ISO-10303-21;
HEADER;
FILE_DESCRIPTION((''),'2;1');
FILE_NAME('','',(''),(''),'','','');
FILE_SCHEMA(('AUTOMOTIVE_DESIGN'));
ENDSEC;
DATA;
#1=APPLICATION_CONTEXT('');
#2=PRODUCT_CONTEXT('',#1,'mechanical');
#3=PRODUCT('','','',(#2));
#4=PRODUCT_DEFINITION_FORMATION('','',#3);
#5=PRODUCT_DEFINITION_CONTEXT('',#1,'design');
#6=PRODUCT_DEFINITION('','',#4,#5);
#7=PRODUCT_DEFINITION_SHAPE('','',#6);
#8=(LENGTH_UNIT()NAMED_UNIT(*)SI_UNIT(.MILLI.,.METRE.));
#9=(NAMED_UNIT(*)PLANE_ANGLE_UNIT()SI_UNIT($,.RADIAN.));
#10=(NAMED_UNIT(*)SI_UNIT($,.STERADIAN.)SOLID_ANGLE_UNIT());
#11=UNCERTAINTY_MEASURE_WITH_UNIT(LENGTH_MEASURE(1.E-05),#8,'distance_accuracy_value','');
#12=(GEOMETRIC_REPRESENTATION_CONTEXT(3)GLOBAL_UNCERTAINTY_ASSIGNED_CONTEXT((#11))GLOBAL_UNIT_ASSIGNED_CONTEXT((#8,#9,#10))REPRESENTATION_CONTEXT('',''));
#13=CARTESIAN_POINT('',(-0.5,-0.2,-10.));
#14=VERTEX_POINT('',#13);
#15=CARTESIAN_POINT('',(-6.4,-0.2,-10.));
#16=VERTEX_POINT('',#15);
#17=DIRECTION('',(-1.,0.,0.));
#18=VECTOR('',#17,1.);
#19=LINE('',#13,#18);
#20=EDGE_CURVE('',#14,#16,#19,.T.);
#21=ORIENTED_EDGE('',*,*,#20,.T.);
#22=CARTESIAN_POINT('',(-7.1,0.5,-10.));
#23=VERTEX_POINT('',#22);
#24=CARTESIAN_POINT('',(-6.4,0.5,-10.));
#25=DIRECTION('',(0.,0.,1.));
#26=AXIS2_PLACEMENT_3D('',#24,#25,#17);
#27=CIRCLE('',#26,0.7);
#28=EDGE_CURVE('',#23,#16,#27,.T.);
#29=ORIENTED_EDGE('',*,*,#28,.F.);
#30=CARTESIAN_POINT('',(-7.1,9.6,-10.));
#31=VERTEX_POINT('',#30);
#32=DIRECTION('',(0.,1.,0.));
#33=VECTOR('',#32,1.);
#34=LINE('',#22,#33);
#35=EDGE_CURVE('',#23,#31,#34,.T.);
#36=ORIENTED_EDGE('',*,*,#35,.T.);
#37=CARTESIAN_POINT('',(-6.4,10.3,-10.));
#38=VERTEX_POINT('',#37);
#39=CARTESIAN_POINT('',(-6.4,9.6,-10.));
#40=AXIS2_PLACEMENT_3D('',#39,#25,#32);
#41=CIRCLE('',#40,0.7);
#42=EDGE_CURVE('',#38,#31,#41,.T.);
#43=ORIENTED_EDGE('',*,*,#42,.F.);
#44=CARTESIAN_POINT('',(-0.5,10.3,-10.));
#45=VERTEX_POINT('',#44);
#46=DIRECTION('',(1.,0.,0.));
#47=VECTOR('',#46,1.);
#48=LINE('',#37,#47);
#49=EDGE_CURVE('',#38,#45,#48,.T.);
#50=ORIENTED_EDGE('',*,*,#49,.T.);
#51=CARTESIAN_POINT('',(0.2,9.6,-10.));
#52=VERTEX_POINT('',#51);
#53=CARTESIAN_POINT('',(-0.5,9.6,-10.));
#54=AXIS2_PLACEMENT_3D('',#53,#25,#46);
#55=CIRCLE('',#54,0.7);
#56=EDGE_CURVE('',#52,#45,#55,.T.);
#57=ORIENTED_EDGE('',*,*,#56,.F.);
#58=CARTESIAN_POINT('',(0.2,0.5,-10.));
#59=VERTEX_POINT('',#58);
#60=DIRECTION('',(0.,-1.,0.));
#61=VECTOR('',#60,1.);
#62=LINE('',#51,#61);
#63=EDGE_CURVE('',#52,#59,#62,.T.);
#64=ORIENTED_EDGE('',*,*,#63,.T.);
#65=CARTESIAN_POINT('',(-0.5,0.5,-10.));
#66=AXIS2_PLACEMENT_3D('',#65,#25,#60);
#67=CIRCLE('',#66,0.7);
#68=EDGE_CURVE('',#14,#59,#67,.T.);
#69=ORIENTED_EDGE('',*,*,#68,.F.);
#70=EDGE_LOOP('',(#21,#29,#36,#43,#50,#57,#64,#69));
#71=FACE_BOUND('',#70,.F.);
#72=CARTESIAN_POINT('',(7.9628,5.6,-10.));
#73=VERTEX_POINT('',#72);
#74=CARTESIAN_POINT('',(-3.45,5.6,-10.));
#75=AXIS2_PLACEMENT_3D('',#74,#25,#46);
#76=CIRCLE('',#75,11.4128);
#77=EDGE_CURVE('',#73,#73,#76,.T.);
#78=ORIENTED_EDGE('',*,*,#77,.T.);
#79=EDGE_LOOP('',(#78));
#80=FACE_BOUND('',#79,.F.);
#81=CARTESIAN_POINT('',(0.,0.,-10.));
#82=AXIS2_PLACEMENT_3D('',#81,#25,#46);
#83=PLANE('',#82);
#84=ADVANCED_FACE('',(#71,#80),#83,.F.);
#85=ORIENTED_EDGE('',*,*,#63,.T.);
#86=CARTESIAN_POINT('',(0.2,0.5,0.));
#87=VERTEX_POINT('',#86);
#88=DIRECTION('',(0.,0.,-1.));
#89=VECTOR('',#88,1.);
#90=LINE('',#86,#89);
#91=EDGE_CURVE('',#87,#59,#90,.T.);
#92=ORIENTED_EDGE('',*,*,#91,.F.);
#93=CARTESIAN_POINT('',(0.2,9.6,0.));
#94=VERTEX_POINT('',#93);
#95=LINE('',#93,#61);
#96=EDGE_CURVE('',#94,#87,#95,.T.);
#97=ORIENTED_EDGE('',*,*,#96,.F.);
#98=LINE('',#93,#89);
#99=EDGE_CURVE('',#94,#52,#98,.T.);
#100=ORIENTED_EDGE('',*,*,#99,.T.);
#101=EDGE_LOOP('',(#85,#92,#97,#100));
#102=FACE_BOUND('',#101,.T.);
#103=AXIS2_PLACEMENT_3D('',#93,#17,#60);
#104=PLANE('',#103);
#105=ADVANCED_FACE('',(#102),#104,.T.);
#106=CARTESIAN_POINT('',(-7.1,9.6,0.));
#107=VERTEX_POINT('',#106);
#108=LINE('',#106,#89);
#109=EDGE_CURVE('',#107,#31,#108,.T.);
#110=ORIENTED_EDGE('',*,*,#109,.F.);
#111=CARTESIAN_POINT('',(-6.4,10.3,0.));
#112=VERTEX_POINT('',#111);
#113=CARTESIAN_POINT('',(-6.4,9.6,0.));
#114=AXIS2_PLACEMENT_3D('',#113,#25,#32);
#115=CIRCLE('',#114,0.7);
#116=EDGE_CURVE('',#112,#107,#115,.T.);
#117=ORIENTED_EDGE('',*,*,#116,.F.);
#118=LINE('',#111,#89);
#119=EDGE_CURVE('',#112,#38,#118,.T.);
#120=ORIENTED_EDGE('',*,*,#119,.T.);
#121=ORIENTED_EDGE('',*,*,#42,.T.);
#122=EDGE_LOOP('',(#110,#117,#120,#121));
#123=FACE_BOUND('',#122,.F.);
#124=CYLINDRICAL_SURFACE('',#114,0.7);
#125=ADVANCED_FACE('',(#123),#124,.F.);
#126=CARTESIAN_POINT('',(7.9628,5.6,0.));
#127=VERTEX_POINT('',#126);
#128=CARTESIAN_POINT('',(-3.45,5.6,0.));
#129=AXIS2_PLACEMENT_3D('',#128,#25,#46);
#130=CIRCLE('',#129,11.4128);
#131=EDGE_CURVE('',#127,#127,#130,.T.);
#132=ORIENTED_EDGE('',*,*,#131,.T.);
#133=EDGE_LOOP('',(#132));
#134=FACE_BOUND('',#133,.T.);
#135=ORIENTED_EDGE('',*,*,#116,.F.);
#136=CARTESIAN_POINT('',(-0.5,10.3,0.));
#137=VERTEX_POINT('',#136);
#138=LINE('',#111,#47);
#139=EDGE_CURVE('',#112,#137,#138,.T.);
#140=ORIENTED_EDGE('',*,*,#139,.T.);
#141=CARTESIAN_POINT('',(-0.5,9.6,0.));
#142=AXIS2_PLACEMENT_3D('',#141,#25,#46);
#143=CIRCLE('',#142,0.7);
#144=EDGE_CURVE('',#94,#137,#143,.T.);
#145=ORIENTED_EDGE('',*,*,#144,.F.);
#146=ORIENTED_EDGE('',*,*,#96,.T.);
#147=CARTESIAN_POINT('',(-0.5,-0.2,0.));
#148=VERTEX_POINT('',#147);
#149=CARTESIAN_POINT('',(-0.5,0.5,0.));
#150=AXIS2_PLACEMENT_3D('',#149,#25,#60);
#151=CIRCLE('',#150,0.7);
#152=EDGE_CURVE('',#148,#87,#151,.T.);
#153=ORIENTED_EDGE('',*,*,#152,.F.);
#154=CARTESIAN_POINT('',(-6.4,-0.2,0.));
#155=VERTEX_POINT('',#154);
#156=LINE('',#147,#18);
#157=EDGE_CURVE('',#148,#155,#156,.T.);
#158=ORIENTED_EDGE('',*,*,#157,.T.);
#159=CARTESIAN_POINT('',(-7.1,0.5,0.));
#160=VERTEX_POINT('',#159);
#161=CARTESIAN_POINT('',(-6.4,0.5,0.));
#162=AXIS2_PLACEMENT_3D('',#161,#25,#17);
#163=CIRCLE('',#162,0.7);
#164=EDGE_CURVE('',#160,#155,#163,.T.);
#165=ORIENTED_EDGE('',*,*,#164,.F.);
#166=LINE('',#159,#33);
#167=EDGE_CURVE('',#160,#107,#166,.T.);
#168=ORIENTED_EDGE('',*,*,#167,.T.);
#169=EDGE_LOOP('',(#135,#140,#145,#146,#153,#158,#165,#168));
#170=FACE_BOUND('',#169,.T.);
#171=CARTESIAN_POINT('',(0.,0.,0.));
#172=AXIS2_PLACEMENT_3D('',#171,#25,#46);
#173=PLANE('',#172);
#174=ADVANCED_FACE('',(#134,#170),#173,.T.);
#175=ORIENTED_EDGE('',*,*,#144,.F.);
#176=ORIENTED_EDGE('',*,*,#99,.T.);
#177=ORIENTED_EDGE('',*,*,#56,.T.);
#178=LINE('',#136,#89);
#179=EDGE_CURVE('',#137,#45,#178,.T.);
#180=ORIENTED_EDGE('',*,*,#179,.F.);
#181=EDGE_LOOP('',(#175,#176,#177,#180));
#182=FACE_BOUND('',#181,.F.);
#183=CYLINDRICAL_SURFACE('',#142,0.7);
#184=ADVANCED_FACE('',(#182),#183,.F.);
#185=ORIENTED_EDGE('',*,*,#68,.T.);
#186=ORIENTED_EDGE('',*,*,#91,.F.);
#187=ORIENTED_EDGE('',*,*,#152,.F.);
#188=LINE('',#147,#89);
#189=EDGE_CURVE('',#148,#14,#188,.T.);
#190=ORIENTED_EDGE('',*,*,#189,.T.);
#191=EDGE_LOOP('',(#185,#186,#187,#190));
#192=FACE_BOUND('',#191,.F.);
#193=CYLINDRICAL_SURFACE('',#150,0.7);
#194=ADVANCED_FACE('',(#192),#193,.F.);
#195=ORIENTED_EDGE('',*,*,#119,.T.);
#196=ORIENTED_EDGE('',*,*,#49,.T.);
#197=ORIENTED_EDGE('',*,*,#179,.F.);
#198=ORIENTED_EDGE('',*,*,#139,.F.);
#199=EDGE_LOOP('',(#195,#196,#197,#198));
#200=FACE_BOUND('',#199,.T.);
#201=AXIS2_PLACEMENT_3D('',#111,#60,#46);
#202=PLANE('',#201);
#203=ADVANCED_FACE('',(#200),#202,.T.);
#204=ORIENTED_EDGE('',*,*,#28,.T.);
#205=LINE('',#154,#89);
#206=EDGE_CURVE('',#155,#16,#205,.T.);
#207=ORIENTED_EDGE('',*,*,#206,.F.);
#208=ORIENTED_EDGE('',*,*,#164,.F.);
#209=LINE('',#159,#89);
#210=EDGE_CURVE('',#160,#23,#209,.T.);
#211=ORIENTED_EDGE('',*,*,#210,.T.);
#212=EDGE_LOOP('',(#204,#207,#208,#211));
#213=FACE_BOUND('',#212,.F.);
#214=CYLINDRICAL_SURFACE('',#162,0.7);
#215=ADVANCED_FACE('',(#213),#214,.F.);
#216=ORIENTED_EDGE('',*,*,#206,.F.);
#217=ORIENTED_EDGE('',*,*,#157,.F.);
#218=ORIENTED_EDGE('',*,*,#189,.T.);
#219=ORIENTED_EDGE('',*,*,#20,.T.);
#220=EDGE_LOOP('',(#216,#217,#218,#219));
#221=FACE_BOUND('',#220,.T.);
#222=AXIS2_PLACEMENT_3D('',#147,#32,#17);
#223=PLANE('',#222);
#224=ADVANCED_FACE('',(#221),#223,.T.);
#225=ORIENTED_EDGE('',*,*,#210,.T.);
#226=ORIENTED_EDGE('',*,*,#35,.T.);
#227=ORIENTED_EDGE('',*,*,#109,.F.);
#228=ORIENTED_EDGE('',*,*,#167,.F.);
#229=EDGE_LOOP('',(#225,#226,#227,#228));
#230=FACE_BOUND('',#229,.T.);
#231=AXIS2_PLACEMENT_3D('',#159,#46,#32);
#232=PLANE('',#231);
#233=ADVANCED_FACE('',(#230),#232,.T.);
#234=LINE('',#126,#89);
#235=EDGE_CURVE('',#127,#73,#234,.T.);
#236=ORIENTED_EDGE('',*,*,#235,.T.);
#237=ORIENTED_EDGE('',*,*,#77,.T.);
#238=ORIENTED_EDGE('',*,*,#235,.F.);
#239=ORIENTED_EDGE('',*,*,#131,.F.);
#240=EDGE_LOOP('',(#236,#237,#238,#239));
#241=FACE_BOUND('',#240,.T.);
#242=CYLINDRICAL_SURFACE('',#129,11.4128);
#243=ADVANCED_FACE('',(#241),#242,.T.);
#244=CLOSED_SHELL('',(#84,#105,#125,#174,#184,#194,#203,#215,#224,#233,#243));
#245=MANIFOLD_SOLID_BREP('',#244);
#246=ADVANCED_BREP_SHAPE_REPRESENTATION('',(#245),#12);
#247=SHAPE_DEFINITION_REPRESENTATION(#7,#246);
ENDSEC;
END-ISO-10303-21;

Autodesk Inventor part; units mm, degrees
ref_plane "YZ Plane" through (0, 0, 0) normal (1, 0, 0) x (0, 1, 0)
ref_plane "XZ Plane" through (0, 0, 0) normal (0, 1, 0) x (-1, 0, 0)
ref_plane "XY Plane" through (0, 0, 0) normal (0, 0, 1) x (1, 0, 0)
sketch "Sketch1" plane through (0, 0, 0) normal (0, 0, 1) x (1, 0, 0)
  line L0 (0, 0.5) -> (0, 9.6) projected
  arc A0 (0, 9.6) -> (-0.5, 10.1) centre (-0.5, 9.6) ccw projected
  line L1 (-0.5, 10.1) -> (-6.4, 10.1) projected
  arc A1 (-6.4, 10.1) -> (-6.9, 9.6) centre (-6.4, 9.6) ccw projected
  line L2 (-6.9, 9.6) -> (-6.9, 0.5) projected
  arc A2 (-6.9, 0.5) -> (-6.4, 0) centre (-6.4, 0.5) ccw projected
  line L3 (-6.4, 0) -> (-0.5, 0) projected
  arc A3 (-0.5, 0) -> (0, 0.5) centre (-0.5, 0.5) ccw projected
  line L4 (-2.6, 8.25) -> (-2.6, 8.8) projected
  line L5 (-1.15, 8.25) -> (-2.6, 8.25) projected
  line L6 (-1.15, 3.65) -> (-1.15, 8.25) projected
  line L7 (-1.8, 3.65) -> (-1.15, 3.65) projected
  line L8 (-1.8, 2.85) -> (-1.8, 3.65) projected
  line L9 (-1.15, 2.85) -> (-1.8, 2.85) projected
  line L10 (-1.15, 1.75) -> (-1.15, 2.85) projected
  line L11 (-2.15, 1.75) -> (-1.15, 1.75) projected
  line L12 (-2.15, 0.75) -> (-2.15, 1.75) projected
  line L13 (-4.75, 0.75) -> (-2.15, 0.75) projected
  line L14 (-4.75, 1.75) -> (-4.75, 0.75) projected
  line L15 (-5.75, 1.75) -> (-4.75, 1.75) projected
  line L16 (-5.75, 2.85) -> (-5.75, 1.75) projected
  line L17 (-5.1, 2.85) -> (-5.75, 2.85) projected
  line L18 (-5.1, 3.65) -> (-5.1, 2.85) projected
  line L19 (-5.75, 3.65) -> (-5.1, 3.65) projected
  line L20 (-5.75, 8.25) -> (-5.75, 3.65) projected
  line L21 (-4.3, 8.25) -> (-5.75, 8.25) projected
  line L22 (-4.3, 8.8) -> (-4.3, 8.25) projected
  line L23 (-2.6, 8.8) -> (-4.3, 8.8) projected
  circle A4 centre (-3.45, 5.6) radius 0.9 projected
  circle A5 centre (-3.45, 5.6) radius 11.4128
  line L24 (-7.1, 0.5) -> (-7.1, 9.6)
  arc A6 (-6.4, 10.3) -> (-7.1, 9.6) centre (-6.4, 9.6) ccw
  line L25 (-6.4, 10.3) -> (-0.5, 10.3)
  arc A7 (0.2, 9.6) -> (-0.5, 10.3) centre (-0.5, 9.6) ccw
  line L26 (0.2, 9.6) -> (0.2, 0.5)
  arc A8 (-0.5, -0.2) -> (0.2, 0.5) centre (-0.5, 0.5) ccw
  line L27 (-0.5, -0.2) -> (-6.4, -0.2)
  arc A9 (-7.1, 0.5) -> (-6.4, -0.2) centre (-6.4, 0.5) ccw
  point P0 (0, 0)
  dimension "d0" = 0.2
extrude "Extrusion1" add sketch "Sketch1" against normal blind 10 contours A5
properties part number "00_SM05LC-toRMS"
